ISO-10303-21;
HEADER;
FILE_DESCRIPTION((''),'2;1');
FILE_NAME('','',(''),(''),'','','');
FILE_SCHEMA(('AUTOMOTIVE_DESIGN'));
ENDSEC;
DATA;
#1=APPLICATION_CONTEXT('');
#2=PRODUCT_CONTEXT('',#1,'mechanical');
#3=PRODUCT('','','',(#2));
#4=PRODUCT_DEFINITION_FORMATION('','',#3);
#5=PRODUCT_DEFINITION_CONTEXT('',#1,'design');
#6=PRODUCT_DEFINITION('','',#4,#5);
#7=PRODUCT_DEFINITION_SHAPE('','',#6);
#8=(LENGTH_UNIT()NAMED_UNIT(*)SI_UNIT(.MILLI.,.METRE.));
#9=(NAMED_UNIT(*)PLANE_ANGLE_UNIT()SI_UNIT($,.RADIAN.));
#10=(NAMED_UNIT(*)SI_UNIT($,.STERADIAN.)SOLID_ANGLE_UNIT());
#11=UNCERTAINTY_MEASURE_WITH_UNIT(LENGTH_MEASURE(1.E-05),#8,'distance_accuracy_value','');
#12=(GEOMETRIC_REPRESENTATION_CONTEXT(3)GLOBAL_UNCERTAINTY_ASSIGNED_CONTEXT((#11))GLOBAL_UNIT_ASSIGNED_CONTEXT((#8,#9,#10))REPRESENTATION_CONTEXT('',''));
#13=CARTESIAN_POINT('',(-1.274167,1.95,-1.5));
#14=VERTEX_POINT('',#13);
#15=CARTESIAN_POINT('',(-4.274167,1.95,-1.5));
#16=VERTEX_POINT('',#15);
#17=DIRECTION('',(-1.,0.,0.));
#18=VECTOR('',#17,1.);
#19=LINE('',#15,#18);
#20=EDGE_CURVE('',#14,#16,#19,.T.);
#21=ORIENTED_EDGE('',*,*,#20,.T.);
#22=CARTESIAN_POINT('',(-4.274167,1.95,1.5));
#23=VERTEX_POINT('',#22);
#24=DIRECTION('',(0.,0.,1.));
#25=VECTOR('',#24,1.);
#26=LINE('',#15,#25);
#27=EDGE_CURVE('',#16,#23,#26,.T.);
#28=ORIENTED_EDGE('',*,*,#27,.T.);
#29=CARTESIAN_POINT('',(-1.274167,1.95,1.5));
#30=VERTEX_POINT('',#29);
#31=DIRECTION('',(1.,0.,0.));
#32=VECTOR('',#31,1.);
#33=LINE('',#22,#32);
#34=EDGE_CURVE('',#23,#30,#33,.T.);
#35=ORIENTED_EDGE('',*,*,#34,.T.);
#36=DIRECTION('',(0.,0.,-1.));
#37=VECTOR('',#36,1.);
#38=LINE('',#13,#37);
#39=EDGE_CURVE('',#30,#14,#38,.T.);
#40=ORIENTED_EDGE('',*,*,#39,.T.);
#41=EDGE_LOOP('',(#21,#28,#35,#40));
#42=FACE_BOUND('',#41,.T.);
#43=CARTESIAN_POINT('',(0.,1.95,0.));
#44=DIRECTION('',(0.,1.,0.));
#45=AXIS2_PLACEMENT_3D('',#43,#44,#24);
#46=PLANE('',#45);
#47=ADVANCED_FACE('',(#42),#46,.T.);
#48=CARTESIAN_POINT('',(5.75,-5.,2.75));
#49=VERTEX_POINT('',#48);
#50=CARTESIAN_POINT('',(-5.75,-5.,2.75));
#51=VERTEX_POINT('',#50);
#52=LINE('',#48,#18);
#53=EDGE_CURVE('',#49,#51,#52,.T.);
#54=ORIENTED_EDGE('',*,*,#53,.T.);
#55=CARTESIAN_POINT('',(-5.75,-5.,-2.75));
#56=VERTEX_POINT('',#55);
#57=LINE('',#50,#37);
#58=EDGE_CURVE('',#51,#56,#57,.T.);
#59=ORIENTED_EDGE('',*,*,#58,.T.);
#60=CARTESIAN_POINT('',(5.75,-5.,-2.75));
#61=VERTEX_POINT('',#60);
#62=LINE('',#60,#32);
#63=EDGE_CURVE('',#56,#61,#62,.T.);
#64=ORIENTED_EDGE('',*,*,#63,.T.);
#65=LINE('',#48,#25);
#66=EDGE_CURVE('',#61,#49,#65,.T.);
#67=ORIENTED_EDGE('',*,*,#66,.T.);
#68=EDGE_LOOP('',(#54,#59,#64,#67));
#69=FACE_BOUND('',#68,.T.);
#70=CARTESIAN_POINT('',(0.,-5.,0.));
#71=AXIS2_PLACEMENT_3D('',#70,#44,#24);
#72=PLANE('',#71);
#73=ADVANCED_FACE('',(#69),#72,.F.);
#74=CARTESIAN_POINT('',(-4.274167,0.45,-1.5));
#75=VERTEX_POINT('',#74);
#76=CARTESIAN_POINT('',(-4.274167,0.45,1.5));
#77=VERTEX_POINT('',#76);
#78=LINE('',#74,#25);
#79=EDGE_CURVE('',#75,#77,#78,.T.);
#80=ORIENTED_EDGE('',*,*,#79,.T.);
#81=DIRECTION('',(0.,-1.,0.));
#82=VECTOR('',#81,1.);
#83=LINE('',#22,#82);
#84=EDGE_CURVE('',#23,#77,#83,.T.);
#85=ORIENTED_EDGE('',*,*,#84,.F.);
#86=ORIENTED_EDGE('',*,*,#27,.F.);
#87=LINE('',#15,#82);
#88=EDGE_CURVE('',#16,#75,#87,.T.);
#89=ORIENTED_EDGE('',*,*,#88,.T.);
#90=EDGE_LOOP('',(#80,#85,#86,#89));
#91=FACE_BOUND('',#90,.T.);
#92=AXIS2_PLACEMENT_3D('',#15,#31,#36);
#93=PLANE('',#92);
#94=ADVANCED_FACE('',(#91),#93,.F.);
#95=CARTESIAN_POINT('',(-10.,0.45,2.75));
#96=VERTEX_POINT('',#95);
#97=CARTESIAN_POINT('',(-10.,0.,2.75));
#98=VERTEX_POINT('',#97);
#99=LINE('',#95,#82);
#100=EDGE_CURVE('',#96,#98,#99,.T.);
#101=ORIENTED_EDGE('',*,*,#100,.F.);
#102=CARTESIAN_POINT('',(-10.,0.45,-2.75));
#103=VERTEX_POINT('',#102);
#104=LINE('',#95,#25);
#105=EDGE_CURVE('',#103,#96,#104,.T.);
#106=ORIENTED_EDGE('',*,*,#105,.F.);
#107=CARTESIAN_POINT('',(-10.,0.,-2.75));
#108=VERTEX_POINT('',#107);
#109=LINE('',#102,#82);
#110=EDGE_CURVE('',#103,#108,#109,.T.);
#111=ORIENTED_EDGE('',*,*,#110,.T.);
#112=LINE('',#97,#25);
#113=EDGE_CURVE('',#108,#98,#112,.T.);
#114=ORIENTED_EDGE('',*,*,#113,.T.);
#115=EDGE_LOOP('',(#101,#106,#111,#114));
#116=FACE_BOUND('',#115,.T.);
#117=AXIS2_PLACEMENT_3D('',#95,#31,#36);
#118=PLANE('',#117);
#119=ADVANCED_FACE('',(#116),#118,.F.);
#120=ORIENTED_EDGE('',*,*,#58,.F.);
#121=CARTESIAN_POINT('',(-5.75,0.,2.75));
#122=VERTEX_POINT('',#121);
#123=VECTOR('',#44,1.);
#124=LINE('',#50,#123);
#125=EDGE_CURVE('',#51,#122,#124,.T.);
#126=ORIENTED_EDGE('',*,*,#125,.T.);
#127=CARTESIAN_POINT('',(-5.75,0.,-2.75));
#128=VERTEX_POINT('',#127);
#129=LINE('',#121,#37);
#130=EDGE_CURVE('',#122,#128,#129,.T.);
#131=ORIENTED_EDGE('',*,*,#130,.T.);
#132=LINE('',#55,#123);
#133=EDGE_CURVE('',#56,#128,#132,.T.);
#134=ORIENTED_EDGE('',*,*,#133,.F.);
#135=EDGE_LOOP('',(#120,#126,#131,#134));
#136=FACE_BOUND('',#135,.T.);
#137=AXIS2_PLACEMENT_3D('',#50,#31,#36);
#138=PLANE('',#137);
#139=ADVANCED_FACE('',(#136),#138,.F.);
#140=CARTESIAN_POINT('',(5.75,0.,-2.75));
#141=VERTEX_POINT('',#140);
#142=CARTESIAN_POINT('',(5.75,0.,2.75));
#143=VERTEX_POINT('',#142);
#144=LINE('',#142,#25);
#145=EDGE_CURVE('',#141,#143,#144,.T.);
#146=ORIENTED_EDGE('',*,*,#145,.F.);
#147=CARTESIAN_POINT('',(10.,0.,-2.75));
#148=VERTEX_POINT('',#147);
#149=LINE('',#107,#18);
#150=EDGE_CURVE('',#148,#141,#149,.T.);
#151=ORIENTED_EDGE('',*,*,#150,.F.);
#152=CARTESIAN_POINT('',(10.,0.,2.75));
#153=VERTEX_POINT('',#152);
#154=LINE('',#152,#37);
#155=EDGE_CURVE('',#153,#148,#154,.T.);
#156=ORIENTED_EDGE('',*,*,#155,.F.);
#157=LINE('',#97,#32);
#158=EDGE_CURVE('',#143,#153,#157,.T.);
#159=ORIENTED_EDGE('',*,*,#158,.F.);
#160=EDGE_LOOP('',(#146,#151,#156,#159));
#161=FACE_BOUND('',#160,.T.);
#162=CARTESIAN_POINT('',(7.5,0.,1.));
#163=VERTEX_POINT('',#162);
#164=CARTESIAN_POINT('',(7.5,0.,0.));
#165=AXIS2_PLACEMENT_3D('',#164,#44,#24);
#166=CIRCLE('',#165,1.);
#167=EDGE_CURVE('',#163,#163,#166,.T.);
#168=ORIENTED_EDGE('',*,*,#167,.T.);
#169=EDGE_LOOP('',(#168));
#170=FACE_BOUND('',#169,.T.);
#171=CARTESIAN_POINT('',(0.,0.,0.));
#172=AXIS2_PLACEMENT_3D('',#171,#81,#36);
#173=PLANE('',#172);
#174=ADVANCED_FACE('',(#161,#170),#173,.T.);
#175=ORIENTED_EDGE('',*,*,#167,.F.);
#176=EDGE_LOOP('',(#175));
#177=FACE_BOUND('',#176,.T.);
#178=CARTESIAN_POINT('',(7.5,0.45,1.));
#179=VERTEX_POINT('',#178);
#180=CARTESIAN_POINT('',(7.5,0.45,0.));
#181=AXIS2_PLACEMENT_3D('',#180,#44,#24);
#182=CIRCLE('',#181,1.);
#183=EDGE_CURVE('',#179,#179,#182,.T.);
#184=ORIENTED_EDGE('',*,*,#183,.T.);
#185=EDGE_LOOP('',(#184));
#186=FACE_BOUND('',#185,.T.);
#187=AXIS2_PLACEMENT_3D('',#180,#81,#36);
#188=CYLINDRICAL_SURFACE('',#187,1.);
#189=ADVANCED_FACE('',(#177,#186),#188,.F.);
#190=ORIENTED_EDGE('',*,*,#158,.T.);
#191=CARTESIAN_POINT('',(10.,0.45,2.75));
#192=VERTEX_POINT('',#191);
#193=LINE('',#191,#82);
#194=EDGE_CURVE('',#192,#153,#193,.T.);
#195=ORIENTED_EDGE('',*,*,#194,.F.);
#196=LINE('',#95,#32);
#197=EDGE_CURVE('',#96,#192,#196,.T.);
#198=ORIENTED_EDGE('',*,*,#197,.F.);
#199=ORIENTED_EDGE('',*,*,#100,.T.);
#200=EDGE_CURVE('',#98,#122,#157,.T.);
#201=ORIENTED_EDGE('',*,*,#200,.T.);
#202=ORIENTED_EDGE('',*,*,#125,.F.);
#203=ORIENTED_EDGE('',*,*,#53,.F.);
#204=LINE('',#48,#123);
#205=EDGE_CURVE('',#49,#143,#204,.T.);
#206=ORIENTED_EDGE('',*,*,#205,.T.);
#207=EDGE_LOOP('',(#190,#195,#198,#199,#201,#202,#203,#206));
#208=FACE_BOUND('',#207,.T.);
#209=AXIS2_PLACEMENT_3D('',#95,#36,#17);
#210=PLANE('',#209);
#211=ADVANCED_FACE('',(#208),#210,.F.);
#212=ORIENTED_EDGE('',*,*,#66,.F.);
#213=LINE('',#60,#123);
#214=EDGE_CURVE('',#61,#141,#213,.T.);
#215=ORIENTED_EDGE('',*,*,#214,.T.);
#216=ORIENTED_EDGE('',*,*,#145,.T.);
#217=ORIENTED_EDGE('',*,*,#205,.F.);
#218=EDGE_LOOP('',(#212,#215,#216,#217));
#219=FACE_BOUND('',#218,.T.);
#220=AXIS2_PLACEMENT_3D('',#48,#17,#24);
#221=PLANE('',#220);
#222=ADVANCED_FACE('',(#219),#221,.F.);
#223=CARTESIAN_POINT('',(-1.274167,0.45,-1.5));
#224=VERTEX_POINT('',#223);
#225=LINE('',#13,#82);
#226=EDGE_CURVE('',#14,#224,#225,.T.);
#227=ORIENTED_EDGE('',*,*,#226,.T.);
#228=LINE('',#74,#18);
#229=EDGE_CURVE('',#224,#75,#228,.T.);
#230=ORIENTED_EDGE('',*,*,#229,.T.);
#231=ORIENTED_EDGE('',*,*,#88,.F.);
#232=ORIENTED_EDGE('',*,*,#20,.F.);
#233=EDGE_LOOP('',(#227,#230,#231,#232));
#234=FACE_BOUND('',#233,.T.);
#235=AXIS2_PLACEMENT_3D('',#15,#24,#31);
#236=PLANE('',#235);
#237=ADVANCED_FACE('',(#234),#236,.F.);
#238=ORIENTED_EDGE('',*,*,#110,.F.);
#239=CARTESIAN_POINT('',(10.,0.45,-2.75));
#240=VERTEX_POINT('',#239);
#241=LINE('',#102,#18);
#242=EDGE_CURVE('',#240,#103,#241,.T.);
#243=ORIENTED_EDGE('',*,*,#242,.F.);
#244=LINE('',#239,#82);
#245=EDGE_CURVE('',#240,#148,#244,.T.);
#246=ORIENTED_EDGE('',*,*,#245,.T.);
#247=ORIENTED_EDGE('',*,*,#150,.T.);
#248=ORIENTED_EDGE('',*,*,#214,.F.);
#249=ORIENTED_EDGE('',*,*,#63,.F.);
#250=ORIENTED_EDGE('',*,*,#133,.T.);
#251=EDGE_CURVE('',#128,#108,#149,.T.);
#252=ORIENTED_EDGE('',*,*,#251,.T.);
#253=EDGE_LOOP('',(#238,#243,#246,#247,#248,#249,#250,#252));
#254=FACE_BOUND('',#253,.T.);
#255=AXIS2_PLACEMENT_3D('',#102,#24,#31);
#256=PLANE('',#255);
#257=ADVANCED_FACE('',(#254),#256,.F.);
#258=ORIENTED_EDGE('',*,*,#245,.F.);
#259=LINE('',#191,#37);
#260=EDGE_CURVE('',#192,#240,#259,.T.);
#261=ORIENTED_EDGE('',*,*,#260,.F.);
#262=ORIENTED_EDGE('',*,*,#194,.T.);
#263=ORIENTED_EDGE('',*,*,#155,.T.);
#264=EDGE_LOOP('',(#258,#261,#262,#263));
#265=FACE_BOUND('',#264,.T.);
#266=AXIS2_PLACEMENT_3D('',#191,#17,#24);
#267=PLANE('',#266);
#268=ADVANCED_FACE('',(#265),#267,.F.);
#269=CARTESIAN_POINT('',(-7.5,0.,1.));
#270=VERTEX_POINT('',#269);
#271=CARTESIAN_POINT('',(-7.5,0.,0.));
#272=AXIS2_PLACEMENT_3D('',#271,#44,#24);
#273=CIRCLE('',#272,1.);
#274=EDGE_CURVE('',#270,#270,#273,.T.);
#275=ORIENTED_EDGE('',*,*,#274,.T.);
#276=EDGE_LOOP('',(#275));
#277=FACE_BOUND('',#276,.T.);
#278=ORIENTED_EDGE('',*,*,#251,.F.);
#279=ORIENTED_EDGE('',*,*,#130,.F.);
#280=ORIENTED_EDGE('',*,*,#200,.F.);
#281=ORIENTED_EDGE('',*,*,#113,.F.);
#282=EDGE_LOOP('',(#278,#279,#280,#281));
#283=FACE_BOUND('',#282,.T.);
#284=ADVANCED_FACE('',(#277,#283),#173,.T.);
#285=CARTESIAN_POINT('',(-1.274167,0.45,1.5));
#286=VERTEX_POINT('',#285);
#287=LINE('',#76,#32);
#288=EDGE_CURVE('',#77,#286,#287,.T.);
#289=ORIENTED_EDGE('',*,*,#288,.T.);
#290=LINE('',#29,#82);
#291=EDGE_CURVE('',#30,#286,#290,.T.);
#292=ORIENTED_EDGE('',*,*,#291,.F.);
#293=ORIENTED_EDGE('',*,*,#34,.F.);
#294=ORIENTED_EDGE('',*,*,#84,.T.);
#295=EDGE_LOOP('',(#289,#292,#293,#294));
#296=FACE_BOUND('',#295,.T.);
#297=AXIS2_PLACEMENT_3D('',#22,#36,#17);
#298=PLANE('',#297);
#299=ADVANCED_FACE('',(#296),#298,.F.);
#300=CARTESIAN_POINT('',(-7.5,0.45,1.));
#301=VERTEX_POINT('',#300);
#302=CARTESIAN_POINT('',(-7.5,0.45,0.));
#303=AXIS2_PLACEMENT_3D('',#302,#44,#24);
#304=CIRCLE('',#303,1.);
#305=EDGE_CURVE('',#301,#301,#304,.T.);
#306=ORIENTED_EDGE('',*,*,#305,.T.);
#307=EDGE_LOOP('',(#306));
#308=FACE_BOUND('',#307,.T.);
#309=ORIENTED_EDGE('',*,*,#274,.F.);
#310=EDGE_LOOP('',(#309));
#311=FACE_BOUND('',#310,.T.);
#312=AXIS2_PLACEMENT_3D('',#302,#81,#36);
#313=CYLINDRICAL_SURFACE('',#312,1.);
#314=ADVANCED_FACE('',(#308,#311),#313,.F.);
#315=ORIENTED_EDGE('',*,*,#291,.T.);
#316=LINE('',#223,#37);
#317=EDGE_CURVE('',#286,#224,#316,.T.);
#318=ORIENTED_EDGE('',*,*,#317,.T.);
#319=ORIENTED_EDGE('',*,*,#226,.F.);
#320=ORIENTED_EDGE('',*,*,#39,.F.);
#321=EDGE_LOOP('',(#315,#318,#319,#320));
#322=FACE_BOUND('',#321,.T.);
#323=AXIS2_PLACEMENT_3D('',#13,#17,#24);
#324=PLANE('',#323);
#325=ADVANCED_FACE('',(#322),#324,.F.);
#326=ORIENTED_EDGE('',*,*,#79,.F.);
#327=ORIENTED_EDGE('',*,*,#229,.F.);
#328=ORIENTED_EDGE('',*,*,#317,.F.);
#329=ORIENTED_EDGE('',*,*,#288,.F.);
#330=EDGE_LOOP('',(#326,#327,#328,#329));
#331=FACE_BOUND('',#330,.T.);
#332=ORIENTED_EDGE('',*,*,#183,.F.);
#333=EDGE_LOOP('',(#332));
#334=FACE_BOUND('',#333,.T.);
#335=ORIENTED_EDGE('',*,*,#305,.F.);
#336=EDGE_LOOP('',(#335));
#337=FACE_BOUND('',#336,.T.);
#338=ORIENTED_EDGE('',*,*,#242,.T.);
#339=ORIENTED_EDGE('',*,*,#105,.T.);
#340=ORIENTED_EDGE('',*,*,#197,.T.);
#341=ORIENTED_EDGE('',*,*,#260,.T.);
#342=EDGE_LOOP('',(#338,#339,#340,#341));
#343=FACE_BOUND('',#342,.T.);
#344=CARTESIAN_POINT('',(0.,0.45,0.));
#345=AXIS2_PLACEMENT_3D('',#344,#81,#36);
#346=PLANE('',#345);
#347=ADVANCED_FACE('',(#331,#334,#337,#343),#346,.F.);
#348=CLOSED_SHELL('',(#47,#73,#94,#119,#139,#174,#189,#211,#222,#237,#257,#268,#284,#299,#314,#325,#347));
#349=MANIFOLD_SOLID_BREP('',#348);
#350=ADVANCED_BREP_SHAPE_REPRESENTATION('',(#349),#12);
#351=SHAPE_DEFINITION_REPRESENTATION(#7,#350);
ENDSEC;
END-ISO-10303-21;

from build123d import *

# Parameters (mm, degrees)
CROQUIS1_W              = 20
CROQUIS1_H              = 5.5
CROQUIS1_R              = 1
SALIENTE_EXTRUIR1_DEPTH = 0.45
CROQUIS2_W              = 11.5
CROQUIS2_H              = 5.5
SALIENTE_EXTRUIR2_DEPTH = 5
CROQUIS3_W              = 3
CROQUIS3_H              = 3
SALIENTE_EXTRUIR3_DEPTH = 1.5


with BuildPart() as part:
    # Croquis1 → Saliente-Extruir1 (new body)
    with BuildSketch(Plane(origin=(0, 0, 0), x_dir=(1, 0, 0), z_dir=(0, 1, 0))):
        Rectangle(CROQUIS1_W, CROQUIS1_H)
        with Locations(Location((-7.5, 0, 0), (0, 0, 270))):
            Circle(CROQUIS1_R, mode=Mode.SUBTRACT)
        with Locations(Location((7.5, 0, 0), (0, 0, 270))):
            Circle(CROQUIS1_R, mode=Mode.SUBTRACT)
    extrude(amount=SALIENTE_EXTRUIR1_DEPTH)

    # Croquis2 → Saliente-Extruir2 (add)
    with BuildSketch(Plane.XZ):
        Rectangle(CROQUIS2_W, CROQUIS2_H)
    extrude(amount=SALIENTE_EXTRUIR2_DEPTH)

    # Croquis3 → Saliente-Extruir3 (add)
    with BuildSketch(Plane(origin=(0, 0.45, 0), x_dir=(1, 0, 0), z_dir=(0, 1, 0))):
        with Locations((-2.774167271, 0)):
            Rectangle(CROQUIS3_W, CROQUIS3_H)
    extrude(amount=SALIENTE_EXTRUIR3_DEPTH)


solid = part.part
